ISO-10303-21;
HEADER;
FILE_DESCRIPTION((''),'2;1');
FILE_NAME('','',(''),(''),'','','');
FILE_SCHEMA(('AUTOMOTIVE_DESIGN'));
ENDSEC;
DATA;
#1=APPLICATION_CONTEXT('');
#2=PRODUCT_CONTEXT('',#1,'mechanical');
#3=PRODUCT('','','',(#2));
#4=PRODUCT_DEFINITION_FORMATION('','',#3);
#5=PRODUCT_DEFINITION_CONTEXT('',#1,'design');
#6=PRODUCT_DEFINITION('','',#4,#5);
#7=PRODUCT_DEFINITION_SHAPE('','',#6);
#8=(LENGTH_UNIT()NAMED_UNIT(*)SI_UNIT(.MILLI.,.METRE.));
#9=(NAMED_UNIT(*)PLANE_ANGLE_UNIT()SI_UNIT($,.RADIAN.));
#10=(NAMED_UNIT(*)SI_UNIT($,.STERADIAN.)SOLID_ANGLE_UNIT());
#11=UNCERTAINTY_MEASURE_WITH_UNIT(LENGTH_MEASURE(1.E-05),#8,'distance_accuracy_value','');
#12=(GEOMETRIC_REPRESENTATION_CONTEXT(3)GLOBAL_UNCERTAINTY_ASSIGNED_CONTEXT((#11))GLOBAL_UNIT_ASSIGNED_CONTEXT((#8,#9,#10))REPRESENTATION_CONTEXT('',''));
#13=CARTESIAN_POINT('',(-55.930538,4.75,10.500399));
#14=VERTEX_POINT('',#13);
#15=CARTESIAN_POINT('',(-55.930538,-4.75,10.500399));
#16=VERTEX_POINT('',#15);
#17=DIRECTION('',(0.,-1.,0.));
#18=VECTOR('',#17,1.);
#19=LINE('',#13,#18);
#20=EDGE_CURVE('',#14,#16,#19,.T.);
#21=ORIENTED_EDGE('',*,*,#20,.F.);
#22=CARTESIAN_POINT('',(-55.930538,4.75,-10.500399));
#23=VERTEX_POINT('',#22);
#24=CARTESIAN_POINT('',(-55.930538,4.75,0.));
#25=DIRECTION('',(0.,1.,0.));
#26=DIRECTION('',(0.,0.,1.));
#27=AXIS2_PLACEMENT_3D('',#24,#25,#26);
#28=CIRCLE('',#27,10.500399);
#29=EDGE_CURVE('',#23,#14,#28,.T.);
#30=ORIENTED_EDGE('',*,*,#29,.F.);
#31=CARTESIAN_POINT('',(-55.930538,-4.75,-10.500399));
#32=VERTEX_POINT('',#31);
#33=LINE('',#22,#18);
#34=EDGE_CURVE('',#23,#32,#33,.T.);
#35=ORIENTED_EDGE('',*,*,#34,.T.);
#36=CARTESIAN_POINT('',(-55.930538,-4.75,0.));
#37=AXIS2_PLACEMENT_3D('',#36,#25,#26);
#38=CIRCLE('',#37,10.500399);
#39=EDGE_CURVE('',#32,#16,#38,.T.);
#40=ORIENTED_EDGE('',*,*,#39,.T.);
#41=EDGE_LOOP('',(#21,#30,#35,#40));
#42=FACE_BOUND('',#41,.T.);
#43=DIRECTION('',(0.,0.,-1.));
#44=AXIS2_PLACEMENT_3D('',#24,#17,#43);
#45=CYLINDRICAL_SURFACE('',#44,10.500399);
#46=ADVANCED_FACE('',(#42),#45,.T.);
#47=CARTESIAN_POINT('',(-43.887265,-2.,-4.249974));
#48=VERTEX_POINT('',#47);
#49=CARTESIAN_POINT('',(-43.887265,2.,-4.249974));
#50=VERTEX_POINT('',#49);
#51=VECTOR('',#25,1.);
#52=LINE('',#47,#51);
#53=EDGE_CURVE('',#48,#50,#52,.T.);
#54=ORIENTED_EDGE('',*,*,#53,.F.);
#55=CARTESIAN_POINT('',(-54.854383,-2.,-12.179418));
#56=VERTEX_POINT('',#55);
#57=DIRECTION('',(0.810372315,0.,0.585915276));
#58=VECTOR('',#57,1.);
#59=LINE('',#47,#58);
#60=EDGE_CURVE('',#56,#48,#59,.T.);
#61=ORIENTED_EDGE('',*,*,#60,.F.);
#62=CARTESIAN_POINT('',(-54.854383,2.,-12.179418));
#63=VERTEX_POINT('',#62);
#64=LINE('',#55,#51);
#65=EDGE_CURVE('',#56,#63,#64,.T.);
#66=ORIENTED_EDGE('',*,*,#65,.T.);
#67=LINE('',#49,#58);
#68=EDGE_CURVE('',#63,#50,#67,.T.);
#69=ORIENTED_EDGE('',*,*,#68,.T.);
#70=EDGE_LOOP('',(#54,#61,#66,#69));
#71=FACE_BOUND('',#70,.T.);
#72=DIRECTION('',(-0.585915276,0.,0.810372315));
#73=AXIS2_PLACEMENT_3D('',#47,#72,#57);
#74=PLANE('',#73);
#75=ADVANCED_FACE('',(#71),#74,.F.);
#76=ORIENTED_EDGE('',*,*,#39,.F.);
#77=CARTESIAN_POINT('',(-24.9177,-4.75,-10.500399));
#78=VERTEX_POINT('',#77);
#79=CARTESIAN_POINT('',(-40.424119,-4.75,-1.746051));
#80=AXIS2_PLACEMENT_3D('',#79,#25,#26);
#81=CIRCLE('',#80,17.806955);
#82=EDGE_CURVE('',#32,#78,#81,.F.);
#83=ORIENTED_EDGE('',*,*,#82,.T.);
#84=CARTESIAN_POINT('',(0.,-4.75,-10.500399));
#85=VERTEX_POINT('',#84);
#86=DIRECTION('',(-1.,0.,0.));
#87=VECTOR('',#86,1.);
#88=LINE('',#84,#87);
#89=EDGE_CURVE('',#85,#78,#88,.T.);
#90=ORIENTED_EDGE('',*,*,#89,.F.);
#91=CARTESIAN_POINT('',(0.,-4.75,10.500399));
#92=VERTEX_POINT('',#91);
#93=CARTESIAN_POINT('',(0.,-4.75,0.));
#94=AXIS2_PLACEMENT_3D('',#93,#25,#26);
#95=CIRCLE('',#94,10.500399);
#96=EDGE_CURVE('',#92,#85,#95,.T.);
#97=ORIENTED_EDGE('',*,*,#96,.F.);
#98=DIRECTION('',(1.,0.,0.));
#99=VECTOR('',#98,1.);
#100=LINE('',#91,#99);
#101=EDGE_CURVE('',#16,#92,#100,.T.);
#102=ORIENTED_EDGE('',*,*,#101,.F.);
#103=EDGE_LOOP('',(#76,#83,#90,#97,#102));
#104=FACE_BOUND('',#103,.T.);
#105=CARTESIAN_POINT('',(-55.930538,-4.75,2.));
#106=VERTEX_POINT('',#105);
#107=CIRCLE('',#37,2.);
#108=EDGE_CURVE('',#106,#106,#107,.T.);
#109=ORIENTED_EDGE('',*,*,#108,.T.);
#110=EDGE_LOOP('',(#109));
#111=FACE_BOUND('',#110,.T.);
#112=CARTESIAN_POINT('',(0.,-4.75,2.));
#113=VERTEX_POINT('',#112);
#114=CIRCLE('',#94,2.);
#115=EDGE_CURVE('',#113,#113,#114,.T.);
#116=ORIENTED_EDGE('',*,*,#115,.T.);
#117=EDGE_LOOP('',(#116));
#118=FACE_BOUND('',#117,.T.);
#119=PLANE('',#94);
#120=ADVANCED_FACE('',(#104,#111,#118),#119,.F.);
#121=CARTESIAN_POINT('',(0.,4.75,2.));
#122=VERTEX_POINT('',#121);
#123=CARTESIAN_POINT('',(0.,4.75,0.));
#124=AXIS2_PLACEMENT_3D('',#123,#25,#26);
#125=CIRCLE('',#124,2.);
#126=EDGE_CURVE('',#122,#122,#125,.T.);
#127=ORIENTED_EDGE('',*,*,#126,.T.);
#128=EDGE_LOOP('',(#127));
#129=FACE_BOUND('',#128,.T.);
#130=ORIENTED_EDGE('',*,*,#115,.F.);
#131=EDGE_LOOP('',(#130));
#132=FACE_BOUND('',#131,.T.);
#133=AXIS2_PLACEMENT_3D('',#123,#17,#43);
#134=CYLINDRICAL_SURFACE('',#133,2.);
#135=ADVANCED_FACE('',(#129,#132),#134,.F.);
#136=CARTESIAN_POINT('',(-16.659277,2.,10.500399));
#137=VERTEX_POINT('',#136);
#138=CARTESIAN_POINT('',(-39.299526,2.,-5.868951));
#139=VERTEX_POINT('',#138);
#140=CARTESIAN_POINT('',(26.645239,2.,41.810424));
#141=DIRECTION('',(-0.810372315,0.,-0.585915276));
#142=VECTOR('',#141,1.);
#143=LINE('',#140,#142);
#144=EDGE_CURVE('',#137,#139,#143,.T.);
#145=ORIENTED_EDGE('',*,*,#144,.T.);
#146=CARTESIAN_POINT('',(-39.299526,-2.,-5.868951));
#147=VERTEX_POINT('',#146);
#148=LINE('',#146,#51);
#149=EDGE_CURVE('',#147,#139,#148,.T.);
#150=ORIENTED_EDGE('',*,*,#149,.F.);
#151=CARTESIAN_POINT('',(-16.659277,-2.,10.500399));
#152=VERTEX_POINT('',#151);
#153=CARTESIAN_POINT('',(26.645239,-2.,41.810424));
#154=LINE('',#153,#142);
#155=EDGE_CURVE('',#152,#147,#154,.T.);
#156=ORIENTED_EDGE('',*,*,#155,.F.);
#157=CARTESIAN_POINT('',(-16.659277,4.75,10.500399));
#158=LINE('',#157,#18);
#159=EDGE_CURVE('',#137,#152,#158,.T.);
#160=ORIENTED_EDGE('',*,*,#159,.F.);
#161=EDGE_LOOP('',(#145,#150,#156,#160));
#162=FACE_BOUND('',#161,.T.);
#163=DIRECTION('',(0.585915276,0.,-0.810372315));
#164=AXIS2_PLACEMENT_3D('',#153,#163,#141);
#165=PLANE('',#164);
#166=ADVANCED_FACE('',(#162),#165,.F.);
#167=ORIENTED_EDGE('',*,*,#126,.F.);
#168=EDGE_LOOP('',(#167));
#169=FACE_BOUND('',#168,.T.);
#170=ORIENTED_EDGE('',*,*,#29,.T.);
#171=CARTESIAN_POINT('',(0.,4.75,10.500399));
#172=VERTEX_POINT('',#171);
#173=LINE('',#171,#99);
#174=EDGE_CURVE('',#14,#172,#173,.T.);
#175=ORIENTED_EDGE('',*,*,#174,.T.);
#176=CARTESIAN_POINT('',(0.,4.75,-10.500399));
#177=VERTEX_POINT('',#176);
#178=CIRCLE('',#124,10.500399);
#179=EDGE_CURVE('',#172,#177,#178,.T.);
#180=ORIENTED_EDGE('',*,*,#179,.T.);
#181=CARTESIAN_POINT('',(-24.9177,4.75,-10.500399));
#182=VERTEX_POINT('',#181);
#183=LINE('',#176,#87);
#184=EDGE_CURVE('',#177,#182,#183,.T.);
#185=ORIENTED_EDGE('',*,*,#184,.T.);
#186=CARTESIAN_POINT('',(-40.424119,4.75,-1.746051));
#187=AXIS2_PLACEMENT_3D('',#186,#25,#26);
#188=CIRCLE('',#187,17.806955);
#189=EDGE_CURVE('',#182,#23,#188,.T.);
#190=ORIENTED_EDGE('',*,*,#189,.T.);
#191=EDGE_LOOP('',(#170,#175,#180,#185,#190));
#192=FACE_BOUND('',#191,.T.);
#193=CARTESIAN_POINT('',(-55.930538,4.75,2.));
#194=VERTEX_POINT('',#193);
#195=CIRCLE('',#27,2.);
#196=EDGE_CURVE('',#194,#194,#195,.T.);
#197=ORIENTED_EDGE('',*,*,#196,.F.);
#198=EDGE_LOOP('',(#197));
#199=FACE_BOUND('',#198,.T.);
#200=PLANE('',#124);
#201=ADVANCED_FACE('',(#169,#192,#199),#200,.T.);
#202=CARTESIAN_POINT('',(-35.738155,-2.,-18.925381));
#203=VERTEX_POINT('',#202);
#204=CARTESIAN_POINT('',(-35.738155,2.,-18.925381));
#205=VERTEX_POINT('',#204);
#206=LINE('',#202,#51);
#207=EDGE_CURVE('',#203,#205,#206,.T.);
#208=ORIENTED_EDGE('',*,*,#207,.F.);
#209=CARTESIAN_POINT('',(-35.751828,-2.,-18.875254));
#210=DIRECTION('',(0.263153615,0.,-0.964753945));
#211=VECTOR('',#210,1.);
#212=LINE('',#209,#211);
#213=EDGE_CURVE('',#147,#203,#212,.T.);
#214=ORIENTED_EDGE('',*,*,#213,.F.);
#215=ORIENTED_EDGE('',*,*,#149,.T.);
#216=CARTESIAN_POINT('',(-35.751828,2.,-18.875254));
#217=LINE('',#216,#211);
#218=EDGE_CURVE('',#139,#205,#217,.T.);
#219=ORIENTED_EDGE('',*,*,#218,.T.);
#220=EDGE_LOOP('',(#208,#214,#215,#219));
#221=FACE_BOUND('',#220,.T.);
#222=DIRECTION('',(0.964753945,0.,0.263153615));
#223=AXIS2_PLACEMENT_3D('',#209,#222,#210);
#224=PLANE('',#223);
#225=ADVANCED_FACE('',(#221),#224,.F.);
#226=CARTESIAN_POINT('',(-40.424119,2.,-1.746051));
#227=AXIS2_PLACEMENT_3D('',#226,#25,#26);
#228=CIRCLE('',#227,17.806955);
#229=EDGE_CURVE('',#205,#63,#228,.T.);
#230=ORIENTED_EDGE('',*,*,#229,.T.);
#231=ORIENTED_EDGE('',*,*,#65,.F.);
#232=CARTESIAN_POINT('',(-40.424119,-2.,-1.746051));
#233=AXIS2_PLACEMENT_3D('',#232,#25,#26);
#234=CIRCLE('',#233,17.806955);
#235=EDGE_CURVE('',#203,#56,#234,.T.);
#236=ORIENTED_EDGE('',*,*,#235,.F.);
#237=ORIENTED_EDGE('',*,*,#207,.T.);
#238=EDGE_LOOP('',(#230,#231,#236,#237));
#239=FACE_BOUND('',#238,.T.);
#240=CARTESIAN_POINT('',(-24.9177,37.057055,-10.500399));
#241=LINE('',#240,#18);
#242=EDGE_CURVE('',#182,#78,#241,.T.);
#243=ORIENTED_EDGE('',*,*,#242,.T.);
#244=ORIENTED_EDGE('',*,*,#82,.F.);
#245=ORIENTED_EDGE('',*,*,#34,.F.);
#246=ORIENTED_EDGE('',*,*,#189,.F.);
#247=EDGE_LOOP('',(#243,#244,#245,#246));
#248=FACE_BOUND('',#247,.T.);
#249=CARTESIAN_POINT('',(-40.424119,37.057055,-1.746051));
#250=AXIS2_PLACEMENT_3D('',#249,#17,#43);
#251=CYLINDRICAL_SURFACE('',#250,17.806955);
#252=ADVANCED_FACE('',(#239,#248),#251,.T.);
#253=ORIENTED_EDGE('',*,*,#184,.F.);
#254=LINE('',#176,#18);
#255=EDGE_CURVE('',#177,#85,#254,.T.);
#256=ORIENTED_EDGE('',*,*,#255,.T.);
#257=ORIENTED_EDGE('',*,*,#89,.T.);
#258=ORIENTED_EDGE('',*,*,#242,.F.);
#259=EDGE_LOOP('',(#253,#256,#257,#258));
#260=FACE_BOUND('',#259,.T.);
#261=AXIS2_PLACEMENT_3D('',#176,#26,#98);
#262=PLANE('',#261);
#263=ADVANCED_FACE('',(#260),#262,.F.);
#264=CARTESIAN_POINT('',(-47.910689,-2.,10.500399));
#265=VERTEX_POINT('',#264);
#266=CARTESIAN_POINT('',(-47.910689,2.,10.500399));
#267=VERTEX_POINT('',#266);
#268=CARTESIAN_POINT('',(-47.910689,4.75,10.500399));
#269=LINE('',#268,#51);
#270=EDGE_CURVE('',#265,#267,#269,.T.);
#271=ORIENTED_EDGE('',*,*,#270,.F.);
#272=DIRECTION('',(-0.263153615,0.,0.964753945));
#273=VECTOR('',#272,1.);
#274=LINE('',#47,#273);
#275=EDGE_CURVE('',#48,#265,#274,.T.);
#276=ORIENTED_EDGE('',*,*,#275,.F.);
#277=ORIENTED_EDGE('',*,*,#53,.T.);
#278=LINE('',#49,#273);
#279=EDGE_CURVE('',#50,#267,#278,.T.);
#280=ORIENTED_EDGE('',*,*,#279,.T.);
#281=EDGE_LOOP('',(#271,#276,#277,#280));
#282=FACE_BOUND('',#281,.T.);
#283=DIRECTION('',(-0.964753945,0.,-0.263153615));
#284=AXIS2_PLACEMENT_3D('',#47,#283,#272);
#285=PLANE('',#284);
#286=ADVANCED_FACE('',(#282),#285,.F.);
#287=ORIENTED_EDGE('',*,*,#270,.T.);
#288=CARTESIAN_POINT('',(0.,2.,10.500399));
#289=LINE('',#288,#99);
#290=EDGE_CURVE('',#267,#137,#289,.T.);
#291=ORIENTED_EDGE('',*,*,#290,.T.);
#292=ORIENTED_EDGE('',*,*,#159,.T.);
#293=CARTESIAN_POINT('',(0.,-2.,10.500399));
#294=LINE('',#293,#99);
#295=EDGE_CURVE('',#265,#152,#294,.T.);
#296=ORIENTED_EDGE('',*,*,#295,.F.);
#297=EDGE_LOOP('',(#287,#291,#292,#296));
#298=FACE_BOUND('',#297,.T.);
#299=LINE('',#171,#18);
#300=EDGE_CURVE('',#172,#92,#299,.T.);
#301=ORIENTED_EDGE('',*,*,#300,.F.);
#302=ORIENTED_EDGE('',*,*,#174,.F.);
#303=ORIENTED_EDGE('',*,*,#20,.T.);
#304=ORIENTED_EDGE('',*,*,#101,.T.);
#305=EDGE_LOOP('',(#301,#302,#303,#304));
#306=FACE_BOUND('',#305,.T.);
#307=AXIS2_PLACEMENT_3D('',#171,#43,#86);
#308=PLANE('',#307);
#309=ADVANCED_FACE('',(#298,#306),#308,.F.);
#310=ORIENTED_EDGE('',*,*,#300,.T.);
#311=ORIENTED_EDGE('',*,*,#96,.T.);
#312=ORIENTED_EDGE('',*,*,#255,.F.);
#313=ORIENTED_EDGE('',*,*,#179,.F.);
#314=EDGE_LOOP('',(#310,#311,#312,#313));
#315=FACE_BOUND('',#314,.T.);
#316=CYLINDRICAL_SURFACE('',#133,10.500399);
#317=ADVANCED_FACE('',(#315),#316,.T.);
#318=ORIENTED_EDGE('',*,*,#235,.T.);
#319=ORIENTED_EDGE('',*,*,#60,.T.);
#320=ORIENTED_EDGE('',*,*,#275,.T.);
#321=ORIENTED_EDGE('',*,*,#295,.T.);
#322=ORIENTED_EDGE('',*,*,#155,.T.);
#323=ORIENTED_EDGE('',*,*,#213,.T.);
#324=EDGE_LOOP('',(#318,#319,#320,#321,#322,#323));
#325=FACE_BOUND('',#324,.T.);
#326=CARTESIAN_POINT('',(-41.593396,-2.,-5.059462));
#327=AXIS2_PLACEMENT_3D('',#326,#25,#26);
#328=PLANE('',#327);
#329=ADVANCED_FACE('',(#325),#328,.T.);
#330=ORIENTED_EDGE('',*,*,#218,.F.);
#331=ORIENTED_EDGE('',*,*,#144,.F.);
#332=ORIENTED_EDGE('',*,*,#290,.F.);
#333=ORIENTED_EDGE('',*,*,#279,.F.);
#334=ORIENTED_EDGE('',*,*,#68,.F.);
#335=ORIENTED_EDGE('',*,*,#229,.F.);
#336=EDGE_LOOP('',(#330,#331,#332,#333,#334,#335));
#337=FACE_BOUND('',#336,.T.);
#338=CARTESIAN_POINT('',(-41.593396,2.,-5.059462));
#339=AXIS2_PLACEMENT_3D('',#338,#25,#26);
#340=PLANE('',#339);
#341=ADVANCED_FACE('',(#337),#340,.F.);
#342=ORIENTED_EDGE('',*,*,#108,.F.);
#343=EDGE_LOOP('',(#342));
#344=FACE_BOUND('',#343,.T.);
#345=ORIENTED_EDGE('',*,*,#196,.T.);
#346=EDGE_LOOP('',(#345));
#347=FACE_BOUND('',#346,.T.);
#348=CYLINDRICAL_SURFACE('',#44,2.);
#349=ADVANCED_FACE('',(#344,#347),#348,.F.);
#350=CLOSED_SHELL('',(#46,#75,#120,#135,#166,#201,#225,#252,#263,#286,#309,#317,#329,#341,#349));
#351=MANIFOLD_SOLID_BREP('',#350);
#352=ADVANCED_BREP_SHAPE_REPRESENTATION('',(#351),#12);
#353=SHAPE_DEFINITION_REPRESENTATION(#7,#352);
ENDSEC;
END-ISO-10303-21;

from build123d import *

# Parameters (mm, degrees)
SKETCH1_R                       = 2
BOSS_EXTRUDE1_DEPTH             = 4.75
CUT_EXTRUDE1_DEPTH              = 2
BOSS_EXTRUDE2_REACH             = 69.423
BOSS_EXTRUDE2_DIRECTION_2_REACH = 69.423
CUT_EXTRUDE2_DEPTH              = 2


with BuildPart() as part:
    # Sketch1 → Boss-Extrude1 (new, symmetric)
    with BuildSketch(Plane(origin=(0, 0, 0), x_dir=(1, 0, 0), z_dir=(0, 1, 0))):
        with BuildLine():
            Line((0, -10.500399217), (-55.93053828, -10.500399217))
            ThreePointArc((-55.93053828, -10.500399217), (-66.430937497, 0), (-55.93053828, 10.500399217))
            Line((-55.93053828, 10.500399217), (0, 10.500399217))
            ThreePointArc((0, 10.500399217), (10.500399217, 0), (0, -10.500399217))
        make_face()
        with Locations(Location((0, 0, 0), (0, 0, 270))):
            Circle(SKETCH1_R, mode=Mode.SUBTRACT)
        with Locations(Location((-55.93053828, 0, 0), (0, 0, 270))):
            Circle(SKETCH1_R, mode=Mode.SUBTRACT)
    extrude(amount=BOSS_EXTRUDE1_DEPTH, both=True)

    # Sketch3 → Cut-Extrude1 (cut, symmetric)
    with BuildSketch(Plane(origin=(0, 0, 0), x_dir=(1, 0, 0), z_dir=(0, 1, 0))):
        with BuildLine():
            Line((-35.751827911, 18.875253657), (-39.299525946, 5.868950542))
            Line((-39.299525946, 5.868950542), (26.645239155, -41.810424095))
            ThreePointArc((26.645239155, -41.810424095), (-18.563858299, -45.972421055), (-48.206523525, -11.584965354))
            Line((-48.206523525, -11.584965354), (-43.887265107, 4.249974277))
            Line((-43.887265107, 4.249974277), (-54.812276631, 12.148974547))
            ThreePointArc((-54.812276631, 12.148974547), (-46.585078234, 19.204535889), (-35.751827911, 18.875253657))
        make_face()
    extrude(amount=CUT_EXTRUDE1_DEPTH, both=True, mode=Mode.SUBTRACT)

    # Boss-Extrude2: up to this face of the body (flat: up to its plane)
    boss_extrude2_end = Plane(part.part.faces().sort_by_distance((-27.96526914, 4.75, 0))[0])
    # Sketch5 → Boss-Extrude2 (add, up to the picked face)
    with BuildSketch(Plane(origin=(0, 0, 0), x_dir=(1, 0, 0), z_dir=(0, 1, 0)), mode=Mode.PRIVATE) as boss_extrude2_sk1:
        with BuildLine():
            ThreePointArc((-24.917700351, 10.500399217), (-40.424119316, 19.553005923), (-55.93053828, 10.500399217))
            Line((-55.93053828, 10.500399217), (-24.917700351, 10.500399217))
        make_face()
    boss_extrude2_tool1 = split(extrude(boss_extrude2_sk1.sketch, amount=BOSS_EXTRUDE2_REACH, mode=Mode.PRIVATE), bisect_by=boss_extrude2_end, keep=Keep.BOTH, mode=Mode.PRIVATE)
    add(boss_extrude2_tool1.solids().sort_by(Axis((-40.424119, 0, -14.214125), (0, 1, 0)))[0])

    # Boss-Extrude2 direction 2: up to this face of the body (flat: up to its plane)
    boss_extrude2_direction_2_end = Plane(part.part.faces().sort_by_distance((-27.96526914, -4.75, 0))[0])
    # Sketch5 → Boss-Extrude2 direction 2 (add, up to the picked face)
    with BuildSketch(Plane(origin=(0, 0, 0), x_dir=(1, 0, 0), z_dir=(0, 1, 0)), mode=Mode.PRIVATE) as boss_extrude2_direction_2_sk1:
        with BuildLine():
            ThreePointArc((-24.917700351, 10.500399217), (-40.424119316, 19.553005923), (-55.93053828, 10.500399217))
            Line((-55.93053828, 10.500399217), (-24.917700351, 10.500399217))
        make_face()
    boss_extrude2_direction_2_tool1 = split(extrude(boss_extrude2_direction_2_sk1.sketch, amount=-BOSS_EXTRUDE2_DIRECTION_2_REACH, mode=Mode.PRIVATE), bisect_by=boss_extrude2_direction_2_end, keep=Keep.BOTH, mode=Mode.PRIVATE)
    add(boss_extrude2_direction_2_tool1.solids().sort_by(Axis((-40.424119, 0, -14.214125), (0, -1, 0)))[0])

    # Sketch6 → Cut-Extrude2 (cut, symmetric)
    with BuildSketch(Plane(origin=(0, 0, 0), x_dir=(1, 0, 0), z_dir=(0, 1, 0))):
        with BuildLine():
            Line((-39.299525946, 5.868950542), (-16.659276721, -10.500399217))
            Line((-16.659276721, -10.500399217), (-47.910689027, -10.500399217))
            Line((-47.910689027, -10.500399217), (-43.887265107, 4.249974277))
            Line((-43.887265107, 4.249974277), (-54.854382526, 12.179417945))
            ThreePointArc((-54.854382526, 12.179417945), (-46.349897212, 18.538096729), (-35.738154791, 18.925381021))
            Line((-35.738154791, 18.925381021), (-39.299525946, 5.868950542))
        make_face()
    extrude(amount=CUT_EXTRUDE2_DEPTH, both=True, mode=Mode.SUBTRACT)


solid = part.part
